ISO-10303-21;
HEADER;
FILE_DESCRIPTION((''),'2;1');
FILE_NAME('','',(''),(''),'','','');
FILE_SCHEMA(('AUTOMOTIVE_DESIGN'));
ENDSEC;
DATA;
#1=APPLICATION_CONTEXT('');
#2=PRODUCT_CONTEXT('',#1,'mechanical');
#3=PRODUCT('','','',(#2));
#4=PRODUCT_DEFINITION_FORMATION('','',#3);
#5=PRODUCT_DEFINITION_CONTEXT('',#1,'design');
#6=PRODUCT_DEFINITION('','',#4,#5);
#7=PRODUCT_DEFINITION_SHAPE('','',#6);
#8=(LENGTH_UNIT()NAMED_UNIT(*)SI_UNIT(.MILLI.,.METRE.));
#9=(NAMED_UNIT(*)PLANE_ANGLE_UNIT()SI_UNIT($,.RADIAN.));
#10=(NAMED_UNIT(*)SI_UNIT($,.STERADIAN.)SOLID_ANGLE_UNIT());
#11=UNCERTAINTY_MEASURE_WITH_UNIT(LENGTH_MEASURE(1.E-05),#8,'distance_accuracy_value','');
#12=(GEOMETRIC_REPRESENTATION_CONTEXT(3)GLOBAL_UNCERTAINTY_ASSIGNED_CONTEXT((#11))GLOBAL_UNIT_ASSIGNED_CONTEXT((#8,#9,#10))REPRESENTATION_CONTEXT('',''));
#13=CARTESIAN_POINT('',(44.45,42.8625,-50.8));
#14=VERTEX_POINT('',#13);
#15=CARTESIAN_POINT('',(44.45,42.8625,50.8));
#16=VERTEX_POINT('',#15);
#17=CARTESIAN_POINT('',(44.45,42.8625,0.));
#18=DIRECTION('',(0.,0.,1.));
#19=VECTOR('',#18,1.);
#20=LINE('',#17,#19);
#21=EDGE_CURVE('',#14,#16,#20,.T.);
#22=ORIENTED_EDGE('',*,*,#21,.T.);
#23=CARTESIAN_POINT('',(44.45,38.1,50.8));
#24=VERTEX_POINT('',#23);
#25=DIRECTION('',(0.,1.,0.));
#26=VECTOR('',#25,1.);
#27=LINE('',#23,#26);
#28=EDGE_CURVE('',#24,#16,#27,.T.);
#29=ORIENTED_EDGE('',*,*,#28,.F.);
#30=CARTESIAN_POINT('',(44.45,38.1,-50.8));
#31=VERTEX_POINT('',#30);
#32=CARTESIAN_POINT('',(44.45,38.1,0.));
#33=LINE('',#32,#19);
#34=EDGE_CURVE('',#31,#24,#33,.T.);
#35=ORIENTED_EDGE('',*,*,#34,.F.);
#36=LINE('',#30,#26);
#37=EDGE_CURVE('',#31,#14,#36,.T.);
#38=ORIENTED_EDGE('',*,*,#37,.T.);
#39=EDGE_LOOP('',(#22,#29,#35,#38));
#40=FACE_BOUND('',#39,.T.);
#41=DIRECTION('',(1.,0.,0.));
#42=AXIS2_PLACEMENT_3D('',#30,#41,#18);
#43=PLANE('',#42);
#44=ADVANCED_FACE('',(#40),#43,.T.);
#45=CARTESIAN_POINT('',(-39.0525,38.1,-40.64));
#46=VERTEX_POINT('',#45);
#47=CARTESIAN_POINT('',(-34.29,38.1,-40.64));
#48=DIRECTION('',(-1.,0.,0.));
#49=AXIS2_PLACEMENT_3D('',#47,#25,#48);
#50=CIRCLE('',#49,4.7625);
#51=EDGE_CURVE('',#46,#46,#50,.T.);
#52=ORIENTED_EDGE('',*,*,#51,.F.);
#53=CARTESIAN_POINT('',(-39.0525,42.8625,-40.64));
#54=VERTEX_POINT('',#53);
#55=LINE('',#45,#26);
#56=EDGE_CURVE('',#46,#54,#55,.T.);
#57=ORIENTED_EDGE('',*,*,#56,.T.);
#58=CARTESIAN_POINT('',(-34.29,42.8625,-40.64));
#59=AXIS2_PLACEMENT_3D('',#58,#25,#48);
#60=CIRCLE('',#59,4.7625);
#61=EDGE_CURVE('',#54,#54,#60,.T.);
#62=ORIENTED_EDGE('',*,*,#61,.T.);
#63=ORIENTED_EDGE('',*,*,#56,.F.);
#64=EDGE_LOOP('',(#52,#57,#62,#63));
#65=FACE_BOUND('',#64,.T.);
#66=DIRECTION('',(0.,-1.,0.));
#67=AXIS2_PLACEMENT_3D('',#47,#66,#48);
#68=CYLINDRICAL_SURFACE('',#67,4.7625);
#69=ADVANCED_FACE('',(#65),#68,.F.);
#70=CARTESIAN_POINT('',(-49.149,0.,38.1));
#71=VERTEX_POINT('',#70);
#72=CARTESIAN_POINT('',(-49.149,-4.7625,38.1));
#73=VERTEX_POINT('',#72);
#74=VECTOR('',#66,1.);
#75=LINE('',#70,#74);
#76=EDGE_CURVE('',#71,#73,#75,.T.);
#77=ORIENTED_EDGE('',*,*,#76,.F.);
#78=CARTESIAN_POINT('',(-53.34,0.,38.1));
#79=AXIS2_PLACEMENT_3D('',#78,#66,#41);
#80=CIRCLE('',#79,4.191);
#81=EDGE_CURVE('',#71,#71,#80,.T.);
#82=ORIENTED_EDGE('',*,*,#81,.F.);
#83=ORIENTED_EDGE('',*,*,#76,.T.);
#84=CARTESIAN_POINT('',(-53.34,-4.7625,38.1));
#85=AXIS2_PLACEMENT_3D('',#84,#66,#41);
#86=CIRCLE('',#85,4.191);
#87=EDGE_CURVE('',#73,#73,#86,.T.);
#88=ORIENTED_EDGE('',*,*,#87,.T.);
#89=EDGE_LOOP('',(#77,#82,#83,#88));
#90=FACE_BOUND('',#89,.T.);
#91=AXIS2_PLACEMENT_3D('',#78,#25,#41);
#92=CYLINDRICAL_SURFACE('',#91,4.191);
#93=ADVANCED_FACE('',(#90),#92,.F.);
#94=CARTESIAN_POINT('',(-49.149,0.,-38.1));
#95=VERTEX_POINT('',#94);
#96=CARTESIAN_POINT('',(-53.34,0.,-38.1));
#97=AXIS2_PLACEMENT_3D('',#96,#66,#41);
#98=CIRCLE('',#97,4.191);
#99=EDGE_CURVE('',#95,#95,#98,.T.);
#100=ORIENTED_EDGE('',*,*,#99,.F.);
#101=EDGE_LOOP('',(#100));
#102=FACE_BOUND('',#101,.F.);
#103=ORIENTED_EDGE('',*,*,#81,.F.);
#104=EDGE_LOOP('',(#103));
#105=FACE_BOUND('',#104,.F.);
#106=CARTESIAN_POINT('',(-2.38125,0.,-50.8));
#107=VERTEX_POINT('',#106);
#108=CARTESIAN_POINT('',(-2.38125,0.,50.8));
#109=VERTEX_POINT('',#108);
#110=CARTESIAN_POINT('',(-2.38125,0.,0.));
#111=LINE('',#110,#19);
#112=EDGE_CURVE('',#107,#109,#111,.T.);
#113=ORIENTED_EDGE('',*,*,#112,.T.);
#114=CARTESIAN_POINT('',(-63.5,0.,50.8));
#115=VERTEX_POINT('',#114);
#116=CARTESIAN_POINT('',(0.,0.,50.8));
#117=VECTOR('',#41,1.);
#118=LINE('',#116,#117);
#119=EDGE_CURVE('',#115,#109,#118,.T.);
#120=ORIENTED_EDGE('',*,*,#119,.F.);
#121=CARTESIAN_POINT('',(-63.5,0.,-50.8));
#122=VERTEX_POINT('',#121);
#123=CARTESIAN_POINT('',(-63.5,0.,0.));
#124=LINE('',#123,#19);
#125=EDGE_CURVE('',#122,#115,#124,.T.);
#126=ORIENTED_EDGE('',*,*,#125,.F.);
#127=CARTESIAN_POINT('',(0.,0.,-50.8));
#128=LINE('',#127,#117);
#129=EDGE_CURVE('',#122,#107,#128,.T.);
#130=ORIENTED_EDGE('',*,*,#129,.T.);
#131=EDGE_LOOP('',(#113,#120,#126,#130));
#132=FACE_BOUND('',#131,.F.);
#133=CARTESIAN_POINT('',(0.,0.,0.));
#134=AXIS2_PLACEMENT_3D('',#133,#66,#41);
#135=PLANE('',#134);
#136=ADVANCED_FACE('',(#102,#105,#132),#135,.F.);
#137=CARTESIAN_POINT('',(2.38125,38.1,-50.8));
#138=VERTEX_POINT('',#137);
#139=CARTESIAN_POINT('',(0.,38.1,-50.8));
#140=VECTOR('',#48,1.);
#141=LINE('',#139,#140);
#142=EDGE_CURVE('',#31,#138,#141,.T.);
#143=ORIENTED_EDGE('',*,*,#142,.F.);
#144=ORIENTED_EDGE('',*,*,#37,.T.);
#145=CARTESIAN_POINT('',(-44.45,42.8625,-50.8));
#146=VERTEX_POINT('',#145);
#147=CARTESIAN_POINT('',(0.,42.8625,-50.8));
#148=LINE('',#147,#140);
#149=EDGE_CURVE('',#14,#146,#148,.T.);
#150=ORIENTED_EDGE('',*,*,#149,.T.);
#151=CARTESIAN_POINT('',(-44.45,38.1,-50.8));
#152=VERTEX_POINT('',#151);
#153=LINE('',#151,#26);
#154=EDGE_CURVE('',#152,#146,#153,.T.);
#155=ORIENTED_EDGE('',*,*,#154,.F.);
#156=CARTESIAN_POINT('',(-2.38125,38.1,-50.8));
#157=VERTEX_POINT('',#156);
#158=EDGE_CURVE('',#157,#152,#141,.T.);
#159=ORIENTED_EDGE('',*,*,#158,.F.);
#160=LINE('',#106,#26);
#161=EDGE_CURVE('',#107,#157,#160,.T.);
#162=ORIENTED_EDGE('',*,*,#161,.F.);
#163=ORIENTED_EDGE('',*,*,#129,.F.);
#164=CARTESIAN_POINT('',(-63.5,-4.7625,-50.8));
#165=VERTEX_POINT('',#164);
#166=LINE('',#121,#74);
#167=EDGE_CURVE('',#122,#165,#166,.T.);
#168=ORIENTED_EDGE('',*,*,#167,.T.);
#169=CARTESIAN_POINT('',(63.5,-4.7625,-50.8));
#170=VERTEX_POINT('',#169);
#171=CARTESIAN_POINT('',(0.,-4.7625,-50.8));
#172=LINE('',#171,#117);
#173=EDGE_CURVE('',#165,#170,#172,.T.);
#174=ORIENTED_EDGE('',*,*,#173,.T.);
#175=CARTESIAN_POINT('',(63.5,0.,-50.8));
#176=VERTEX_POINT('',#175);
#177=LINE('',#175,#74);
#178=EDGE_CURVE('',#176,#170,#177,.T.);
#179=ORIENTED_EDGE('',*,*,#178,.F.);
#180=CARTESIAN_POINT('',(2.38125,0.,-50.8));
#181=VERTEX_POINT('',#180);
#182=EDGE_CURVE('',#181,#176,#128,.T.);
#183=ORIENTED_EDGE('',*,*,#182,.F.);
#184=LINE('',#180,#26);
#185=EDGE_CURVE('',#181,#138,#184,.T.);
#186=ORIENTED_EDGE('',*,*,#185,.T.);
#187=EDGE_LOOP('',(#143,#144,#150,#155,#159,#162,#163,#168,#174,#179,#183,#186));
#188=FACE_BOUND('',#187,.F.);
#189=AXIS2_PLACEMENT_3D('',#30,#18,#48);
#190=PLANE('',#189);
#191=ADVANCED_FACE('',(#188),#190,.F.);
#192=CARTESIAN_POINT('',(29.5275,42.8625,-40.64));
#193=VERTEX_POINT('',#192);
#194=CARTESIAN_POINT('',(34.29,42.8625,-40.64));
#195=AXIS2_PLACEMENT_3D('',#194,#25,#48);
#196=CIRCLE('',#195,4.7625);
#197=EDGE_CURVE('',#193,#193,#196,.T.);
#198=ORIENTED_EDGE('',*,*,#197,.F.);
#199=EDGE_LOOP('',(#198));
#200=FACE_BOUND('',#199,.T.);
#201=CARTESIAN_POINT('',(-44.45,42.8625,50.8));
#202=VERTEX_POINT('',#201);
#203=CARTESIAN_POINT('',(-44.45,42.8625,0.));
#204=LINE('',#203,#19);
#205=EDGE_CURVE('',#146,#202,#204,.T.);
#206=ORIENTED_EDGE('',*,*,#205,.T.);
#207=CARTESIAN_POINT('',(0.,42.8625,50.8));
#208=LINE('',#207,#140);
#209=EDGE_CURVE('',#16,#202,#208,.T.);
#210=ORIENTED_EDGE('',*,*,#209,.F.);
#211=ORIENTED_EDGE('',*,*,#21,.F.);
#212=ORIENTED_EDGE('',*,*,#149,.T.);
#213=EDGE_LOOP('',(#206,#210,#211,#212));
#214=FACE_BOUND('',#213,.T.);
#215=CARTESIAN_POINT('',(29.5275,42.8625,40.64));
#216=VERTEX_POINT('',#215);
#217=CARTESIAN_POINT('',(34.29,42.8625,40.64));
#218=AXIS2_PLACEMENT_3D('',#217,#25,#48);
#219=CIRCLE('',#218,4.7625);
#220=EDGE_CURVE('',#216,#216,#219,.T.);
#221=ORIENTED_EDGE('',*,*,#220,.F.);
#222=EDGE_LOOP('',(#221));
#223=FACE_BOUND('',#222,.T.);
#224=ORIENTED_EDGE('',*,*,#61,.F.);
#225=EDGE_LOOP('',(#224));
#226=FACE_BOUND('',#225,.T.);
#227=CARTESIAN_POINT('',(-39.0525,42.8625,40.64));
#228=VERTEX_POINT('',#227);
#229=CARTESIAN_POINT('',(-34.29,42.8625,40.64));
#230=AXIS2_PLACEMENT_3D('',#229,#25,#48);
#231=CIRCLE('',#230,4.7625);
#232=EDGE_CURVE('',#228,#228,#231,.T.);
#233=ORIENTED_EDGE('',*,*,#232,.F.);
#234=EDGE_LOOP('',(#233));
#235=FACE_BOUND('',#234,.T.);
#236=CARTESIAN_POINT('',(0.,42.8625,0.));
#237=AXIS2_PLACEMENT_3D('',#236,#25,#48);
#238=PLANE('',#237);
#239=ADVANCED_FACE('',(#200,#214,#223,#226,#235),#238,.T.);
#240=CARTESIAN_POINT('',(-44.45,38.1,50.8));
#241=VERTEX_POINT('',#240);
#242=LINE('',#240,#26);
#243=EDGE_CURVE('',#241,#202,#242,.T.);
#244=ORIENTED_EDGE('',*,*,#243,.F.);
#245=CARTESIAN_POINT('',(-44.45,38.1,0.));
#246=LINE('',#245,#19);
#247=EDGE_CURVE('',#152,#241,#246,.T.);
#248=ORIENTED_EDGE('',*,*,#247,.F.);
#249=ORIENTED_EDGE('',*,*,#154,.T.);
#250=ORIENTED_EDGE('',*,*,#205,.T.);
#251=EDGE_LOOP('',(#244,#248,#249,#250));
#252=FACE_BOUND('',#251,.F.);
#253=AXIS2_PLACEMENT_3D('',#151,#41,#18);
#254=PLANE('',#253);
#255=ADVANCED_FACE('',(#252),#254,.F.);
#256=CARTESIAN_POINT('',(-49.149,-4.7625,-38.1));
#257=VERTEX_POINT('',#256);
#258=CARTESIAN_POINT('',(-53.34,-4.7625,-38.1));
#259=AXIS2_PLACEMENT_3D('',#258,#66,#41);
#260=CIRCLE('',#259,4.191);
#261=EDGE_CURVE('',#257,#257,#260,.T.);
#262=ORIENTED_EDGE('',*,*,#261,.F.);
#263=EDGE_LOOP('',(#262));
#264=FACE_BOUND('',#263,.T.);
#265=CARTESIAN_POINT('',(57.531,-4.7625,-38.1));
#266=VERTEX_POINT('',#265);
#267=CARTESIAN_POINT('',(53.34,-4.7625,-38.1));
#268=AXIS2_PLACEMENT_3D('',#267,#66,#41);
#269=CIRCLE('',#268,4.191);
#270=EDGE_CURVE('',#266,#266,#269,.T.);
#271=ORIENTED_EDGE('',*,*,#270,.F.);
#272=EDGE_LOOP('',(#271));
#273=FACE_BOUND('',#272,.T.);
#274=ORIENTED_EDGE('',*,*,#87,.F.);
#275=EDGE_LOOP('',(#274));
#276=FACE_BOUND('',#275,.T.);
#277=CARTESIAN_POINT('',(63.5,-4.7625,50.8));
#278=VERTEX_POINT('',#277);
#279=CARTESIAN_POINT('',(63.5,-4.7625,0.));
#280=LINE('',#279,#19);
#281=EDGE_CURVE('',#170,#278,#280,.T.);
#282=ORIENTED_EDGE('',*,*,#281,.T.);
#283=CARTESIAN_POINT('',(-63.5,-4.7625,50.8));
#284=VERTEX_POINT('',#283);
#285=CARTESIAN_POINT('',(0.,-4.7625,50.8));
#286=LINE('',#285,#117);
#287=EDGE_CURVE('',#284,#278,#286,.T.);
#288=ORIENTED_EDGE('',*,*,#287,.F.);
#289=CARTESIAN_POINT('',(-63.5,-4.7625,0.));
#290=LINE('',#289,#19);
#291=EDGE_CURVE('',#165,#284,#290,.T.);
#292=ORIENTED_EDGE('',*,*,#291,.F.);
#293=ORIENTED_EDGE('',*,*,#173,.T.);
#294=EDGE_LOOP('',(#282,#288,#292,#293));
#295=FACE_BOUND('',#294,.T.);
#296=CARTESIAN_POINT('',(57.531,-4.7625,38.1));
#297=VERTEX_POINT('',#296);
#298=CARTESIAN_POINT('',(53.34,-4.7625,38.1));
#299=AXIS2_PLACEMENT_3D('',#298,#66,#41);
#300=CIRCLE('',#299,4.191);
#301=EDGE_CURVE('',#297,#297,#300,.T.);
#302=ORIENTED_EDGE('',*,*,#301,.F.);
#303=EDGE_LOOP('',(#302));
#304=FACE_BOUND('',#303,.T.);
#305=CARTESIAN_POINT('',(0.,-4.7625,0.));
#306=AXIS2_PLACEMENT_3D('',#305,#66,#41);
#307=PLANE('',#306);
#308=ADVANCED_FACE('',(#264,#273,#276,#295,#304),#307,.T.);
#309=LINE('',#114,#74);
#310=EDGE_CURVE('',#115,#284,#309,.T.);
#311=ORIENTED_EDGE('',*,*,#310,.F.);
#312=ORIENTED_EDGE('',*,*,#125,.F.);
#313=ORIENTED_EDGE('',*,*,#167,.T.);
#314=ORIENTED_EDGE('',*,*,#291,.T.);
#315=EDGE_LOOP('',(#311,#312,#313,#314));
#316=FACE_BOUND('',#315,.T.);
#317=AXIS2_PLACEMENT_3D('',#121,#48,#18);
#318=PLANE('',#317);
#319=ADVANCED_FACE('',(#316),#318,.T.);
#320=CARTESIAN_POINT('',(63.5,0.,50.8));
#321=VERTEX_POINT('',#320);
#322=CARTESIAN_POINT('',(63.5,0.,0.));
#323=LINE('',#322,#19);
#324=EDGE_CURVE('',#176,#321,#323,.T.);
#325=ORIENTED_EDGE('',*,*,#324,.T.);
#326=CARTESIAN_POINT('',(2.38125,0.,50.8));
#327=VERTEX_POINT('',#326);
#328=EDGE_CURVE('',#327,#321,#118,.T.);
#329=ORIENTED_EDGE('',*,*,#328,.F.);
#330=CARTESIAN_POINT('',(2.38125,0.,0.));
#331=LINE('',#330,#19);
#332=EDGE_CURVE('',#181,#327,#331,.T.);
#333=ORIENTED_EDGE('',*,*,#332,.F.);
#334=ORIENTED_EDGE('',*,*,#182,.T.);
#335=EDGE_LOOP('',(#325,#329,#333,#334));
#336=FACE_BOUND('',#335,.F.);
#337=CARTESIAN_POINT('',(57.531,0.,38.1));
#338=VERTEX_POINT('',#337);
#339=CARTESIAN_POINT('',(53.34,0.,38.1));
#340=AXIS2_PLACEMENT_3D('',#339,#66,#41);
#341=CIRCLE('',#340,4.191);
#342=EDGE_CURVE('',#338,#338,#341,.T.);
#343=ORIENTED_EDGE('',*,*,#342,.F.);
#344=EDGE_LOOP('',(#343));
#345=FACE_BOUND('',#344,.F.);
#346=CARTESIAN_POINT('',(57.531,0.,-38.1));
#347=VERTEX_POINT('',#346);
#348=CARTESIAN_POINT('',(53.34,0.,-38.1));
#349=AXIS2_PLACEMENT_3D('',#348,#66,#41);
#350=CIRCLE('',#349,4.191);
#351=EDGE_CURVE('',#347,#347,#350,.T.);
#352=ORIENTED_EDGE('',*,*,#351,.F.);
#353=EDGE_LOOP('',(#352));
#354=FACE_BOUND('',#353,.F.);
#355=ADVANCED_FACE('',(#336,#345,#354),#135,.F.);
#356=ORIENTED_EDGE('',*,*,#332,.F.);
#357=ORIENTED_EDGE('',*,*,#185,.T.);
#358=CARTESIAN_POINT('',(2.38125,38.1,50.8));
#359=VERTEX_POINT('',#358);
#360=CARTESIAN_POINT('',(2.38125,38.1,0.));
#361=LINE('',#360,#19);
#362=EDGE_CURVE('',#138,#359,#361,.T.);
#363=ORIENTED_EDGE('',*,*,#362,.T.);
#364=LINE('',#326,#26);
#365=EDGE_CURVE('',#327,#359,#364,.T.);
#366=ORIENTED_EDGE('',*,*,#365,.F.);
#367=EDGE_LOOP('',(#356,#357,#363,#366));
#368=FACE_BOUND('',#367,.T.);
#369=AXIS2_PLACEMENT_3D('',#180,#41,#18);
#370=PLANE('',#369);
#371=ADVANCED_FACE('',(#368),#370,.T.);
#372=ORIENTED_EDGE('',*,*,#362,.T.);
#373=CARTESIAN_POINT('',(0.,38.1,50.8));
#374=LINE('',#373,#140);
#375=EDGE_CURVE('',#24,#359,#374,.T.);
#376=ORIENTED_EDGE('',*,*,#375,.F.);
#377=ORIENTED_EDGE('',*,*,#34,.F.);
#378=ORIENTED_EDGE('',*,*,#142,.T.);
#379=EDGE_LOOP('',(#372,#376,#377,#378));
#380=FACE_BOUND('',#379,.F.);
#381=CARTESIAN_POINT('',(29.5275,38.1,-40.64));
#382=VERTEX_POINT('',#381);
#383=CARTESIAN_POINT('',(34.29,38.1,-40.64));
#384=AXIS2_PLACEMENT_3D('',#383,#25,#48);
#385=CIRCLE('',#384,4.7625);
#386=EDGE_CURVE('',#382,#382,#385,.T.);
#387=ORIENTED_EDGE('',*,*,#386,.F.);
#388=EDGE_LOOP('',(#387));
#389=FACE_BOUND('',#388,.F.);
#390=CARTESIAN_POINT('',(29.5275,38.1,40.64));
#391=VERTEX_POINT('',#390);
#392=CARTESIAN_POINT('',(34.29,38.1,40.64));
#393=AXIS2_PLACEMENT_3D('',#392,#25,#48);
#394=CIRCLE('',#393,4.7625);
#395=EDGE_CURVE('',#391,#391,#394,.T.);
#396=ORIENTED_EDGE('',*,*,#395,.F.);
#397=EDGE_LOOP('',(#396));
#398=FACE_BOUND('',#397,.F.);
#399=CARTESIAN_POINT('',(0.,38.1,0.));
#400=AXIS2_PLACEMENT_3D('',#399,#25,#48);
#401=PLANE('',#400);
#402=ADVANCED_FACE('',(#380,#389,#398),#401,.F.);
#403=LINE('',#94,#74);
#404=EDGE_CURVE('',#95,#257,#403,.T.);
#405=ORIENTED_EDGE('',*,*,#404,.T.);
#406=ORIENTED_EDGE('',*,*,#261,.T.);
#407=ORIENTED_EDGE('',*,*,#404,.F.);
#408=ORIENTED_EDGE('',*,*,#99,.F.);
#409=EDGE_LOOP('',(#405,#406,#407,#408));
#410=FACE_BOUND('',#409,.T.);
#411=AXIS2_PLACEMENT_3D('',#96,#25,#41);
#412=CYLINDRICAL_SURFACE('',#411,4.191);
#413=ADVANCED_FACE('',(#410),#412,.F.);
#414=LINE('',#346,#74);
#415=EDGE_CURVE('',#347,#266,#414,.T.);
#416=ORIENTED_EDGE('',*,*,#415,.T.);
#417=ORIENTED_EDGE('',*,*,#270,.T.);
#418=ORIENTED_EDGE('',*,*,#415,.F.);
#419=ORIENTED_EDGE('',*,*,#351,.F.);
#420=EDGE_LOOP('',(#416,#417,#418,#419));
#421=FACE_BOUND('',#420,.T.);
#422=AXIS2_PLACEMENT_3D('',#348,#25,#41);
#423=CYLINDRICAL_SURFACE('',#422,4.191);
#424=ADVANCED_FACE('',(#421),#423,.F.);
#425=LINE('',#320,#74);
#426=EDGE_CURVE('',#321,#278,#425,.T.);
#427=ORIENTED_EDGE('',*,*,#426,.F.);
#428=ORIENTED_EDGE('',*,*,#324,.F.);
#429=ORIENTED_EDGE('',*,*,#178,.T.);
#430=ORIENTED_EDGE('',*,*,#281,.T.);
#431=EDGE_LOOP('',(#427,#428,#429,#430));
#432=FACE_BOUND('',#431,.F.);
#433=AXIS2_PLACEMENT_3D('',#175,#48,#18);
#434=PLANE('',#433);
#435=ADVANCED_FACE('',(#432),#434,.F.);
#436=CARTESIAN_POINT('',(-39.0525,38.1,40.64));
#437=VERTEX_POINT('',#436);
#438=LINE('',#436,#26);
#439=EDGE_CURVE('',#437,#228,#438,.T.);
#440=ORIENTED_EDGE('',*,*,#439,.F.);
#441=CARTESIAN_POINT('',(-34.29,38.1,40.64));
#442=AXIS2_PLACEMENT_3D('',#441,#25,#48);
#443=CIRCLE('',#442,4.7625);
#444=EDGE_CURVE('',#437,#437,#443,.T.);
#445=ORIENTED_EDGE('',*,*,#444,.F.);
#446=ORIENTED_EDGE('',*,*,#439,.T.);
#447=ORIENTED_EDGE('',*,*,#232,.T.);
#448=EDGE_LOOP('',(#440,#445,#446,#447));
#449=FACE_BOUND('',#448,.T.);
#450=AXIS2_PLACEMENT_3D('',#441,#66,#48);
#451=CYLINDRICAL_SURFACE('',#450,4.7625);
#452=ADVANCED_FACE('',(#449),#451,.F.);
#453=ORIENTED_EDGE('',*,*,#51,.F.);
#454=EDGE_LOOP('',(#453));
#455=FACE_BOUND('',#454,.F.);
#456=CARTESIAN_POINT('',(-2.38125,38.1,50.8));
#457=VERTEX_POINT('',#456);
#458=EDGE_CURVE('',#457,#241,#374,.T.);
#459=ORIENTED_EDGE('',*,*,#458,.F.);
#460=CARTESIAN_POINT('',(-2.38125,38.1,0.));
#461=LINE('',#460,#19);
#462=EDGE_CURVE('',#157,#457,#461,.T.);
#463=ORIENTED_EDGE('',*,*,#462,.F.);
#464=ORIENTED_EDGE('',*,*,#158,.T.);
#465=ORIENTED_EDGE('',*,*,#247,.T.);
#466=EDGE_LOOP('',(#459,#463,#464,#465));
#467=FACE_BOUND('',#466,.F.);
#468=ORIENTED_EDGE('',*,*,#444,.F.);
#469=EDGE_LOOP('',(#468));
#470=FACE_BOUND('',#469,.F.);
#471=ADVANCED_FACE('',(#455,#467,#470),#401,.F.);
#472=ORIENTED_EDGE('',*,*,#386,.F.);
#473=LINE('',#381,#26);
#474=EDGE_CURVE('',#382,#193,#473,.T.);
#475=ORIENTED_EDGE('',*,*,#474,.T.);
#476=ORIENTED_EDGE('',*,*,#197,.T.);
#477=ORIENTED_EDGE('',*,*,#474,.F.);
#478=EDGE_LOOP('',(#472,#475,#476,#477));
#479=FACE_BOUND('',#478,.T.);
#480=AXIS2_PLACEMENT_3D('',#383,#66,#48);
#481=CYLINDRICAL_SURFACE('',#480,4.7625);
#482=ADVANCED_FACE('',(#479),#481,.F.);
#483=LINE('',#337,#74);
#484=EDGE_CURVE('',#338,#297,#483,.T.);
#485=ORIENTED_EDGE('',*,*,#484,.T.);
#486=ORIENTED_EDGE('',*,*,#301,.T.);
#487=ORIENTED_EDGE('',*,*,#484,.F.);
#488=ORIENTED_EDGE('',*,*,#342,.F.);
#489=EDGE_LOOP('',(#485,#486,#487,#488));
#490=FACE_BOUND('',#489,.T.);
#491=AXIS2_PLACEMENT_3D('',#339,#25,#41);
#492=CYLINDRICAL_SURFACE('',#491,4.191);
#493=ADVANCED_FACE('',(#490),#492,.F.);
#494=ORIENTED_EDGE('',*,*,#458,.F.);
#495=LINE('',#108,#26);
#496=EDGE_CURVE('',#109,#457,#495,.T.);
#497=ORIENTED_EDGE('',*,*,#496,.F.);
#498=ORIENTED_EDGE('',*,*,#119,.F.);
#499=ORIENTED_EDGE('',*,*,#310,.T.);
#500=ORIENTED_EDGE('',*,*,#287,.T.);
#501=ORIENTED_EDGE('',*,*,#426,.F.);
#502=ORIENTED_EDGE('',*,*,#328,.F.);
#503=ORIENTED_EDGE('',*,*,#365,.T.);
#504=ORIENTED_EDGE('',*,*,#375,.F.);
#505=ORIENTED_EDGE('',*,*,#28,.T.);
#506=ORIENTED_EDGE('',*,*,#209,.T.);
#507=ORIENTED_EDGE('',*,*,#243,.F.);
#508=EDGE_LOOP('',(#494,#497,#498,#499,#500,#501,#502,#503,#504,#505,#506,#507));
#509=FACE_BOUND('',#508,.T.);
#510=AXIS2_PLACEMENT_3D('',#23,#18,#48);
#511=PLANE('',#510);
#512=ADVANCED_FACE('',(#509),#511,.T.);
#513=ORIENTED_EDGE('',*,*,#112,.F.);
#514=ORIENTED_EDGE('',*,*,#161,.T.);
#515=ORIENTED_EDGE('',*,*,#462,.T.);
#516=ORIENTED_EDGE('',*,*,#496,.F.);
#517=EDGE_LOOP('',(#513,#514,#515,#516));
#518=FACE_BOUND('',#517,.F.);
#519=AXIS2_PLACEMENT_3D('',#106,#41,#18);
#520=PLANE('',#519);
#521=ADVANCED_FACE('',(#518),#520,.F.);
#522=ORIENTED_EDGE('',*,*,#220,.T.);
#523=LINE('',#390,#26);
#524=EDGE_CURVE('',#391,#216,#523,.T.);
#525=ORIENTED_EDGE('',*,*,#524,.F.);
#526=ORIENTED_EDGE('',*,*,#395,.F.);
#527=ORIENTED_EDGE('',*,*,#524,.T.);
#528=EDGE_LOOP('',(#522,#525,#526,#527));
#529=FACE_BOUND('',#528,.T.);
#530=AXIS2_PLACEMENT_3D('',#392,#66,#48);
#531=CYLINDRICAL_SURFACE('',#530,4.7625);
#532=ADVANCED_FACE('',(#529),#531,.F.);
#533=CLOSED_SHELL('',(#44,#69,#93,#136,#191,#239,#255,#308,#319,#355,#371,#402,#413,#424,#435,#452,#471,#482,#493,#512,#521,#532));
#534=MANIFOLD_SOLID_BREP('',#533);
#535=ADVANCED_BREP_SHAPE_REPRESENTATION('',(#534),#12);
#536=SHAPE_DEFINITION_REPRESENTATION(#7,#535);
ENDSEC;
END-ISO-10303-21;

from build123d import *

# Parameters (mm, degrees)
F0_W     = 127
F0_H     = 101.6
F0_R     = 4.191
F1_DEPTH = 4.7625
F2_W     = 4.7625
F2_H     = 101.6
F3_DEPTH = 38.1
F4_W     = 88.9
F4_H     = 101.6
F4_R     = 4.7625
F5_DEPTH = 4.7625


with BuildPart() as f1:
    # F0 (on Front) → F1 (new body)
    with BuildSketch(Plane.XZ):
        Rectangle(F0_W, F0_H)
        with Locations((-53.34, -38.1)):
            Circle(F0_R, mode=Mode.SUBTRACT)
        with Locations((53.34, -38.1)):
            Circle(F0_R, mode=Mode.SUBTRACT)
        with Locations((-53.34, 38.1)):
            Circle(F0_R, mode=Mode.SUBTRACT)
        with Locations((53.34, 38.1)):
            Circle(F0_R, mode=Mode.SUBTRACT)
    extrude(amount=F1_DEPTH)

    # F2 (on face) → F3 (join)
    with BuildSketch(Plane(origin=(0, 0, 0), x_dir=(-1, 0, 0), z_dir=(0, 1, 0))):
        Rectangle(F2_W, F2_H)
    extrude(amount=F3_DEPTH)

    # F4 (on face) → F5 (join)
    with BuildSketch(Plane(origin=(0, 38.1, 0), x_dir=(-1, 0, 0), z_dir=(0, 1, 0))):
        Rectangle(F4_W, F4_H)
        with Locations((-34.29, -40.64)):
            Circle(F4_R, mode=Mode.SUBTRACT)
        with Locations((34.29, -40.64)):
            Circle(F4_R, mode=Mode.SUBTRACT)
        with Locations((-34.29, 40.64)):
            Circle(F4_R, mode=Mode.SUBTRACT)
        with Locations((34.29, 40.64)):
            Circle(F4_R, mode=Mode.SUBTRACT)
    extrude(amount=F5_DEPTH)


solid = f1.part
